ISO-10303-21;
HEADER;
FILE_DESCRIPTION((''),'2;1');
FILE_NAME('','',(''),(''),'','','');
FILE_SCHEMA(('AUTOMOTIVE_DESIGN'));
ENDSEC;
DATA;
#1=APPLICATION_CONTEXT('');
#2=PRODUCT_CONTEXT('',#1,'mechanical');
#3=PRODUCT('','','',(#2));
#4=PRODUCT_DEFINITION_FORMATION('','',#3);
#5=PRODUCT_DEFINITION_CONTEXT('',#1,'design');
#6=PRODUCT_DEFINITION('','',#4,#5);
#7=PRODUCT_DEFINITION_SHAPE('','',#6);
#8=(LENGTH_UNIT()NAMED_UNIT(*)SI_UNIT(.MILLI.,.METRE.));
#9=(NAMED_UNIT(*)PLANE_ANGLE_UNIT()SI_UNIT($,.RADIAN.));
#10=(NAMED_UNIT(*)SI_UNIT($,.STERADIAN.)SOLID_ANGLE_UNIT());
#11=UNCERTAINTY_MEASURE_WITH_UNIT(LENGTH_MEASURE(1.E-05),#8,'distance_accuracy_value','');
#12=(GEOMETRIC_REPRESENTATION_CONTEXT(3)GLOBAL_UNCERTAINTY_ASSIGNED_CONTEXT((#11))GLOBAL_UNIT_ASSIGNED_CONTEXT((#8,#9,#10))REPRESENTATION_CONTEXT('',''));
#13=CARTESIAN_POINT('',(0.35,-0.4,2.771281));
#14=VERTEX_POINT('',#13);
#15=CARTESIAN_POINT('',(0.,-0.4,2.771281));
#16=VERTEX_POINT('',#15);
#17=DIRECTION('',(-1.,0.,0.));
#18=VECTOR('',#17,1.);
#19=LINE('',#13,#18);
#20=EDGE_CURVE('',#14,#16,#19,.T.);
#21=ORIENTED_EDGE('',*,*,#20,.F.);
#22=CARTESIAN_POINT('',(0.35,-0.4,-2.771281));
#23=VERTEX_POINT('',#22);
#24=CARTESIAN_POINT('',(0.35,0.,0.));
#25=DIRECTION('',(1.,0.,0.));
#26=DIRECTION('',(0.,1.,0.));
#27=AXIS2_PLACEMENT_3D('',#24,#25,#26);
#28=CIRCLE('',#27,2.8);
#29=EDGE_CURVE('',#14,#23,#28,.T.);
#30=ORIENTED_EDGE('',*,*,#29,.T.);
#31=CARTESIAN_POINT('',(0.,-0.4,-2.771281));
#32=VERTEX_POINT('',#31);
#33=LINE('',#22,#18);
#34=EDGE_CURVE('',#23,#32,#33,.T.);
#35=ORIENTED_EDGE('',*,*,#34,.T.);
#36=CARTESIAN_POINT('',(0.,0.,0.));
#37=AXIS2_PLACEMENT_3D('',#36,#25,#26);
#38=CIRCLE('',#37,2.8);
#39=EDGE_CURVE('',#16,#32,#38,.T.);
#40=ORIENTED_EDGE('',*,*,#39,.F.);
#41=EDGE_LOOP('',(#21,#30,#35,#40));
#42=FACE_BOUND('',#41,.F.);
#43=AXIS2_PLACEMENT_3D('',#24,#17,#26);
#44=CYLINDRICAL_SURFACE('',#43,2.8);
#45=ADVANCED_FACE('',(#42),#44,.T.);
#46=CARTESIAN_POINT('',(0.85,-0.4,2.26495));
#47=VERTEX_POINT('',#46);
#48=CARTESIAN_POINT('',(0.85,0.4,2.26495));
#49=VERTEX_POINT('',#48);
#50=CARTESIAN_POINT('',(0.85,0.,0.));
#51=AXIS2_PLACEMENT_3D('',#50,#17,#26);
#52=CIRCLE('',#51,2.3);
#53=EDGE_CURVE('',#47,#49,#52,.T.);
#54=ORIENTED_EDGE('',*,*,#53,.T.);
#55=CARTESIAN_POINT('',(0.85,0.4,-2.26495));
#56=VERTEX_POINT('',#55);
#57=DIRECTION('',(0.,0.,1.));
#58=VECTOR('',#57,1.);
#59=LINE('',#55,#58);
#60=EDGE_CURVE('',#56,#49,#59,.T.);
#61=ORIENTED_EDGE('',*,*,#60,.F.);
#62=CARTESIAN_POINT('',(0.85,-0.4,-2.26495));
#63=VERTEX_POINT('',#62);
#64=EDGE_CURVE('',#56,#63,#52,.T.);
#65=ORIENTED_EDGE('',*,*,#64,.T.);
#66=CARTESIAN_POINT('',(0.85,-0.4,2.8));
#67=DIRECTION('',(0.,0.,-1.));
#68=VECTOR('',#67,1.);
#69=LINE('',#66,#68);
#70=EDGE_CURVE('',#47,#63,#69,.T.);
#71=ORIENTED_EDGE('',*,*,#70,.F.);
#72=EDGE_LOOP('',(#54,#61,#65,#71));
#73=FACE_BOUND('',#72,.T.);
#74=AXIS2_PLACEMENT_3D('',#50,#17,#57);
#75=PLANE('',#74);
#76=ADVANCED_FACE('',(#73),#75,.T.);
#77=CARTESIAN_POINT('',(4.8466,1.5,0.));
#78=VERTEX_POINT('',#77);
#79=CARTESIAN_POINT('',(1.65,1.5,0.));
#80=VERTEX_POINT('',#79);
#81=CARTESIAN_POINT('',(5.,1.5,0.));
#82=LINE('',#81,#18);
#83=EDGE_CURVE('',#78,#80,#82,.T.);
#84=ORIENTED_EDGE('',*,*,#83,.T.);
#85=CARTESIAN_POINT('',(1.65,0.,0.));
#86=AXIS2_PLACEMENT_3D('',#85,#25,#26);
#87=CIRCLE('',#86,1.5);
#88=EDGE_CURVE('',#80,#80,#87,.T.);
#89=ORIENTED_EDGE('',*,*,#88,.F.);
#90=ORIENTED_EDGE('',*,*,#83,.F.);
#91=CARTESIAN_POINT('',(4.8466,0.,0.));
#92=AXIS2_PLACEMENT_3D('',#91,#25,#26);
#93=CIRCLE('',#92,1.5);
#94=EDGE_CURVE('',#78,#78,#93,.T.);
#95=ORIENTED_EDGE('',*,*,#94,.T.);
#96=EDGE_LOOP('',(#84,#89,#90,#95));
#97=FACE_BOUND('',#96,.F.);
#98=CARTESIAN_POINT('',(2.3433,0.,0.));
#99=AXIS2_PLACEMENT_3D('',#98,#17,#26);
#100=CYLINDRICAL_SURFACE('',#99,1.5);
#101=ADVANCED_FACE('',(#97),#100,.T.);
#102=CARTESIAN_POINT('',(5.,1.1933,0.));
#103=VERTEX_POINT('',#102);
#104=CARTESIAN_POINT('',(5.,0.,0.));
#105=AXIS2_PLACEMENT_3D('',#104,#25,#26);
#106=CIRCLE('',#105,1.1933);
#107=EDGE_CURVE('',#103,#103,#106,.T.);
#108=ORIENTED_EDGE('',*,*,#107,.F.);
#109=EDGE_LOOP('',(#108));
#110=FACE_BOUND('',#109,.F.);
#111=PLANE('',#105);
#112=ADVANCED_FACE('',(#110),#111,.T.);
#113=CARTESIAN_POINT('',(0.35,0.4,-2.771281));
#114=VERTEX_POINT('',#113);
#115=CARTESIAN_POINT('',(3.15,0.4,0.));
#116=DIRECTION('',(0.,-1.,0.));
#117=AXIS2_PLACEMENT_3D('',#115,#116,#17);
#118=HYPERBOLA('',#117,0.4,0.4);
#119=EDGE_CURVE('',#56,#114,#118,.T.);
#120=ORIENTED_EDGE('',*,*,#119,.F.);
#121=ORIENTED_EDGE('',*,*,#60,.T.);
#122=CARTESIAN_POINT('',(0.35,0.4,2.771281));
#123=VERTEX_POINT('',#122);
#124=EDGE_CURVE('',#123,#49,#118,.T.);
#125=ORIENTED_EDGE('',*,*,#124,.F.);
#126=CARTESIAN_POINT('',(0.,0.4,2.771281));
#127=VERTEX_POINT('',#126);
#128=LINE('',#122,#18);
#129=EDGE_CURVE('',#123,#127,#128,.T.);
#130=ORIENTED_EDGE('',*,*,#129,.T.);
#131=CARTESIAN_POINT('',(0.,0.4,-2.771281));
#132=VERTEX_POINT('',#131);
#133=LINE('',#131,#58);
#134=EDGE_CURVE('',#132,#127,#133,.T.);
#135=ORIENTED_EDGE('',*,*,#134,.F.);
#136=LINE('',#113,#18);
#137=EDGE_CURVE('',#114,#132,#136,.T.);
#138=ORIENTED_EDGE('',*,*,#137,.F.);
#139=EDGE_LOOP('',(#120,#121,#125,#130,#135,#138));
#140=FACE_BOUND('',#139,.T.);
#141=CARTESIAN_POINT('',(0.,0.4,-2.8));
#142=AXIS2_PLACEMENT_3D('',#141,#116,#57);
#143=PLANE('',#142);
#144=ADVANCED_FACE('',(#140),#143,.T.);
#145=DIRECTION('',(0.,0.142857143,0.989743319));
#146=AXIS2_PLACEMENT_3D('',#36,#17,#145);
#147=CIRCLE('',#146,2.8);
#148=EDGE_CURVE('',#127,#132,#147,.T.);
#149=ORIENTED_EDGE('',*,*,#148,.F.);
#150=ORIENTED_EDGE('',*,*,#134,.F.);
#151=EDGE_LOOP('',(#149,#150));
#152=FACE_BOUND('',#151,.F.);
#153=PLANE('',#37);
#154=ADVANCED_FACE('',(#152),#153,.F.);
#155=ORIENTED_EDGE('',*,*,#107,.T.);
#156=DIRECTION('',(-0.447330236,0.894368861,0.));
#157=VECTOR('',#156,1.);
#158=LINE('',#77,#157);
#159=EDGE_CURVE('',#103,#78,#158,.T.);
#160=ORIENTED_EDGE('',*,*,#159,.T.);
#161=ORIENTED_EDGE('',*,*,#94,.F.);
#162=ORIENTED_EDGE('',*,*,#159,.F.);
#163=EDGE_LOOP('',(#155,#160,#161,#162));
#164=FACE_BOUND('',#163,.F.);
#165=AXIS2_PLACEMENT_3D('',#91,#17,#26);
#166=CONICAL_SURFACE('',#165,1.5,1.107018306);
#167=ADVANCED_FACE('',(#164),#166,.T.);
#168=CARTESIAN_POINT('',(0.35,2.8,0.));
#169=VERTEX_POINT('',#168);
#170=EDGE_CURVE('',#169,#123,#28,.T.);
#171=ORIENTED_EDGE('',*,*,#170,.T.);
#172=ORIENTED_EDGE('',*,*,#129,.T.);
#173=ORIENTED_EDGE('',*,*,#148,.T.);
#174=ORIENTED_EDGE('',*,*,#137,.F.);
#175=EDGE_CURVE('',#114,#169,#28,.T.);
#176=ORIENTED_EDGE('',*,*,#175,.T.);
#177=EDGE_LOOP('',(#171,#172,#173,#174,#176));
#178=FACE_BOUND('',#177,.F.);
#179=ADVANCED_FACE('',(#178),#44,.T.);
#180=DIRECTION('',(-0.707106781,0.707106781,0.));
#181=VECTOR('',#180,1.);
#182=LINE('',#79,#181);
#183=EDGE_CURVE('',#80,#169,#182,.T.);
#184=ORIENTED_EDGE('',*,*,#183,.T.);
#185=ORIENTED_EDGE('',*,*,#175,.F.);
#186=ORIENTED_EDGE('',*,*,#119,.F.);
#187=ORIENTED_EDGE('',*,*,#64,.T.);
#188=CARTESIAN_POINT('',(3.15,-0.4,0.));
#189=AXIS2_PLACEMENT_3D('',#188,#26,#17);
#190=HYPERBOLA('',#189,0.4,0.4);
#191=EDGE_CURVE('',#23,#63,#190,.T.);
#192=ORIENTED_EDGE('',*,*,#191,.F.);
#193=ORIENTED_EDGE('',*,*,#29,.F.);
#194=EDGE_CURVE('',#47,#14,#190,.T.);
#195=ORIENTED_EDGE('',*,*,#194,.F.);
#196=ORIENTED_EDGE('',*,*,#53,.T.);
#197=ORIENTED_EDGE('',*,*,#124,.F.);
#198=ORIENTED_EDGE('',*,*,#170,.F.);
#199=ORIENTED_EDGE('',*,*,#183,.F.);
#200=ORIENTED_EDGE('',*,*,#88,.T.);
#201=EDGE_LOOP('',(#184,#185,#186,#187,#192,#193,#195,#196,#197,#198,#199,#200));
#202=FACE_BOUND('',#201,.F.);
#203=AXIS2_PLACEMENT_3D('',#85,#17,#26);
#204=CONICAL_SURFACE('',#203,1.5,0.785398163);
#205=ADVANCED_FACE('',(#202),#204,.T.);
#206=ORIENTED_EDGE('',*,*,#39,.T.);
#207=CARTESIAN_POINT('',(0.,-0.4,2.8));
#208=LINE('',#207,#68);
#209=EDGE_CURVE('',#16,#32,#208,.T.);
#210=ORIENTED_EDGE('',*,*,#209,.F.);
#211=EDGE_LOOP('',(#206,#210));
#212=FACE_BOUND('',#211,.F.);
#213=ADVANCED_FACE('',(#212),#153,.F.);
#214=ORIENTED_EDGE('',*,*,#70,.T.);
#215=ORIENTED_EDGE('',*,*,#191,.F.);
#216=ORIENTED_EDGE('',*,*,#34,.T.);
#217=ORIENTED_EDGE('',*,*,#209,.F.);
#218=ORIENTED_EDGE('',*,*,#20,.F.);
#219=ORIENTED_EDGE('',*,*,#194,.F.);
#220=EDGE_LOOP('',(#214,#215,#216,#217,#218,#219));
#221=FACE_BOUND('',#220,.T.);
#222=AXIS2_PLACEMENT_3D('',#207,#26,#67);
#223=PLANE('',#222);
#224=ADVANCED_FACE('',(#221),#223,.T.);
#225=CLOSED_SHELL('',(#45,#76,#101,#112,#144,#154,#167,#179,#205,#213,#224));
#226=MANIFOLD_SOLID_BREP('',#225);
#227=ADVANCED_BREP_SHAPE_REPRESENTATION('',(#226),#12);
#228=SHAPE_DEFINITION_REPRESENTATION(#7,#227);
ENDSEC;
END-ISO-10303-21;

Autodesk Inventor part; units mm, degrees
ref_plane "YZ Plane" through (0, 0, 0) normal (1, 0, 0) x (0, 1, 0)
ref_plane "XZ Plane" through (0, 0, 0) normal (0, 1, 0) x (-1, 0, 0)
sketch "Skizze1" plane through (0, 0, 0) normal (0, 0, 1) x (1, 0, 0)
  line L0 (0, 0) -> (5, 0)
  line L1 (5, 0) -> (5, 1.5)
  line L2 (5, 1.5) -> (2.65, 1.5)
  line L3 (2.65, 1.5) -> (2.3433, 1.5)
  line L4 (2.3433, 1.5) -> (1.65, 1.5)
  line L5 (1.65, 1.5) -> (0.35, 2.8)
  line L6 (0.35, 2.8) -> (0, 2.8)
  line L7 (0, 2.8) -> (0, 0)
  line L8 (2.65, 1.5) -> (1.65, 1.5) construction
  line L9 (-1, 0) -> (6, 0) projected
  line L10 (0, 3.36) -> (0, -0.56) projected
  dimension "d0" = 5
  dimension "d1" = 45
  dimension "d2" = 0.3067
  dimension "d3" = 2.35
  dimension "d4" = 1.65
  dimension "d5" = 3
  dimension "d6" = 3
  dimension "d7" = 5.6
revolve "Körper" add sketch "Skizze1" angle 360 about axis through (0, 0, 0) along (1, 0, 0)
sketch "Skizze2" plane through (0, 0, 0) normal (-1, 0, 0) x (0, 0, 1)
  line L0 (2.8, -0.4) -> (-2.8, -0.4)
  line L1 (-2.8, -0.4) -> (-2.8, 0.4)
  line L2 (-2.8, 0.4) -> (2.8, 0.4)
  line L3 (2.8, 0.4) -> (2.8, -0.4)
  line L4 (0, 0.4) -> (0, -0.4) construction
  line L5 (-2.8, 0) -> (2.8, 0) construction
  line L6 (0, 2.8) -> (0, 0) projected
  dimension "d15" = 0.8
  dimension "d16" = 5.6
extrude "Loch" cut sketch "Skizze2" against normal blind 0.85
thread "Gewinde" size "M3x0.5" class "6g" standard "ISO Metric profile" length 2.35
chamfer "Fase1" distance 0.3067 distance2 0.1534 1 edges at (5, -1.5, 0) measured on face at (5, -0.5112, 0.3316)
ref_plane "Work Plane1" through (33.575, 0, 0) normal (0, 0, -1) x (1, 0, 0)
equation "\"d1\" = 0.5 * SEWI"
equation "\"d2\" = GAL"
equation "\"d4\" = KOH"
equation "\"d5\" = BDM"
equation "\"d6\" = GD"
equation "\"d7\" = KOD"
equation "\"d15\" = SBR"
equation "\"d16\" = KOD"
equation "\"d8\" = STI"
equation "\"d12\" = -0.5 * SPD + 0.5 * GD"
equation "\"d13\" = 0.5 * GAL"
equation "\"NLG\" = 4"
equation "\"GAL\" = 0.61345 * PTC"
equation "\"GEL\" = 1.35"
equation "\"KOH\" = 1.65"
equation "\"KOD\" = 5.6"
equation "\"SEWI\" = 90deg"
equation "\"BDM\" = NND"
equation "\"GD\" = NND"
equation "\"SBR\" = 0.8"
equation "\"STI\" = 0.85"
equation "\"SPD\" = NND - 1.2269 * PTC"
equation "\"GUL\" = 0.61345 * PTC"
equation "\"PTC\" = 0.5"
equation "\"EPV\" = 3.15"
equation "\"THREADDIA\" = 3"
equation "\"TOA\" = 30deg"
equation "\"NND\" = 3"
equation "\"GD1\" = THREADDIA - 1.2269 * PTC"
properties part number "DIN 963 - M3 x 4" material "Edelstahl"
